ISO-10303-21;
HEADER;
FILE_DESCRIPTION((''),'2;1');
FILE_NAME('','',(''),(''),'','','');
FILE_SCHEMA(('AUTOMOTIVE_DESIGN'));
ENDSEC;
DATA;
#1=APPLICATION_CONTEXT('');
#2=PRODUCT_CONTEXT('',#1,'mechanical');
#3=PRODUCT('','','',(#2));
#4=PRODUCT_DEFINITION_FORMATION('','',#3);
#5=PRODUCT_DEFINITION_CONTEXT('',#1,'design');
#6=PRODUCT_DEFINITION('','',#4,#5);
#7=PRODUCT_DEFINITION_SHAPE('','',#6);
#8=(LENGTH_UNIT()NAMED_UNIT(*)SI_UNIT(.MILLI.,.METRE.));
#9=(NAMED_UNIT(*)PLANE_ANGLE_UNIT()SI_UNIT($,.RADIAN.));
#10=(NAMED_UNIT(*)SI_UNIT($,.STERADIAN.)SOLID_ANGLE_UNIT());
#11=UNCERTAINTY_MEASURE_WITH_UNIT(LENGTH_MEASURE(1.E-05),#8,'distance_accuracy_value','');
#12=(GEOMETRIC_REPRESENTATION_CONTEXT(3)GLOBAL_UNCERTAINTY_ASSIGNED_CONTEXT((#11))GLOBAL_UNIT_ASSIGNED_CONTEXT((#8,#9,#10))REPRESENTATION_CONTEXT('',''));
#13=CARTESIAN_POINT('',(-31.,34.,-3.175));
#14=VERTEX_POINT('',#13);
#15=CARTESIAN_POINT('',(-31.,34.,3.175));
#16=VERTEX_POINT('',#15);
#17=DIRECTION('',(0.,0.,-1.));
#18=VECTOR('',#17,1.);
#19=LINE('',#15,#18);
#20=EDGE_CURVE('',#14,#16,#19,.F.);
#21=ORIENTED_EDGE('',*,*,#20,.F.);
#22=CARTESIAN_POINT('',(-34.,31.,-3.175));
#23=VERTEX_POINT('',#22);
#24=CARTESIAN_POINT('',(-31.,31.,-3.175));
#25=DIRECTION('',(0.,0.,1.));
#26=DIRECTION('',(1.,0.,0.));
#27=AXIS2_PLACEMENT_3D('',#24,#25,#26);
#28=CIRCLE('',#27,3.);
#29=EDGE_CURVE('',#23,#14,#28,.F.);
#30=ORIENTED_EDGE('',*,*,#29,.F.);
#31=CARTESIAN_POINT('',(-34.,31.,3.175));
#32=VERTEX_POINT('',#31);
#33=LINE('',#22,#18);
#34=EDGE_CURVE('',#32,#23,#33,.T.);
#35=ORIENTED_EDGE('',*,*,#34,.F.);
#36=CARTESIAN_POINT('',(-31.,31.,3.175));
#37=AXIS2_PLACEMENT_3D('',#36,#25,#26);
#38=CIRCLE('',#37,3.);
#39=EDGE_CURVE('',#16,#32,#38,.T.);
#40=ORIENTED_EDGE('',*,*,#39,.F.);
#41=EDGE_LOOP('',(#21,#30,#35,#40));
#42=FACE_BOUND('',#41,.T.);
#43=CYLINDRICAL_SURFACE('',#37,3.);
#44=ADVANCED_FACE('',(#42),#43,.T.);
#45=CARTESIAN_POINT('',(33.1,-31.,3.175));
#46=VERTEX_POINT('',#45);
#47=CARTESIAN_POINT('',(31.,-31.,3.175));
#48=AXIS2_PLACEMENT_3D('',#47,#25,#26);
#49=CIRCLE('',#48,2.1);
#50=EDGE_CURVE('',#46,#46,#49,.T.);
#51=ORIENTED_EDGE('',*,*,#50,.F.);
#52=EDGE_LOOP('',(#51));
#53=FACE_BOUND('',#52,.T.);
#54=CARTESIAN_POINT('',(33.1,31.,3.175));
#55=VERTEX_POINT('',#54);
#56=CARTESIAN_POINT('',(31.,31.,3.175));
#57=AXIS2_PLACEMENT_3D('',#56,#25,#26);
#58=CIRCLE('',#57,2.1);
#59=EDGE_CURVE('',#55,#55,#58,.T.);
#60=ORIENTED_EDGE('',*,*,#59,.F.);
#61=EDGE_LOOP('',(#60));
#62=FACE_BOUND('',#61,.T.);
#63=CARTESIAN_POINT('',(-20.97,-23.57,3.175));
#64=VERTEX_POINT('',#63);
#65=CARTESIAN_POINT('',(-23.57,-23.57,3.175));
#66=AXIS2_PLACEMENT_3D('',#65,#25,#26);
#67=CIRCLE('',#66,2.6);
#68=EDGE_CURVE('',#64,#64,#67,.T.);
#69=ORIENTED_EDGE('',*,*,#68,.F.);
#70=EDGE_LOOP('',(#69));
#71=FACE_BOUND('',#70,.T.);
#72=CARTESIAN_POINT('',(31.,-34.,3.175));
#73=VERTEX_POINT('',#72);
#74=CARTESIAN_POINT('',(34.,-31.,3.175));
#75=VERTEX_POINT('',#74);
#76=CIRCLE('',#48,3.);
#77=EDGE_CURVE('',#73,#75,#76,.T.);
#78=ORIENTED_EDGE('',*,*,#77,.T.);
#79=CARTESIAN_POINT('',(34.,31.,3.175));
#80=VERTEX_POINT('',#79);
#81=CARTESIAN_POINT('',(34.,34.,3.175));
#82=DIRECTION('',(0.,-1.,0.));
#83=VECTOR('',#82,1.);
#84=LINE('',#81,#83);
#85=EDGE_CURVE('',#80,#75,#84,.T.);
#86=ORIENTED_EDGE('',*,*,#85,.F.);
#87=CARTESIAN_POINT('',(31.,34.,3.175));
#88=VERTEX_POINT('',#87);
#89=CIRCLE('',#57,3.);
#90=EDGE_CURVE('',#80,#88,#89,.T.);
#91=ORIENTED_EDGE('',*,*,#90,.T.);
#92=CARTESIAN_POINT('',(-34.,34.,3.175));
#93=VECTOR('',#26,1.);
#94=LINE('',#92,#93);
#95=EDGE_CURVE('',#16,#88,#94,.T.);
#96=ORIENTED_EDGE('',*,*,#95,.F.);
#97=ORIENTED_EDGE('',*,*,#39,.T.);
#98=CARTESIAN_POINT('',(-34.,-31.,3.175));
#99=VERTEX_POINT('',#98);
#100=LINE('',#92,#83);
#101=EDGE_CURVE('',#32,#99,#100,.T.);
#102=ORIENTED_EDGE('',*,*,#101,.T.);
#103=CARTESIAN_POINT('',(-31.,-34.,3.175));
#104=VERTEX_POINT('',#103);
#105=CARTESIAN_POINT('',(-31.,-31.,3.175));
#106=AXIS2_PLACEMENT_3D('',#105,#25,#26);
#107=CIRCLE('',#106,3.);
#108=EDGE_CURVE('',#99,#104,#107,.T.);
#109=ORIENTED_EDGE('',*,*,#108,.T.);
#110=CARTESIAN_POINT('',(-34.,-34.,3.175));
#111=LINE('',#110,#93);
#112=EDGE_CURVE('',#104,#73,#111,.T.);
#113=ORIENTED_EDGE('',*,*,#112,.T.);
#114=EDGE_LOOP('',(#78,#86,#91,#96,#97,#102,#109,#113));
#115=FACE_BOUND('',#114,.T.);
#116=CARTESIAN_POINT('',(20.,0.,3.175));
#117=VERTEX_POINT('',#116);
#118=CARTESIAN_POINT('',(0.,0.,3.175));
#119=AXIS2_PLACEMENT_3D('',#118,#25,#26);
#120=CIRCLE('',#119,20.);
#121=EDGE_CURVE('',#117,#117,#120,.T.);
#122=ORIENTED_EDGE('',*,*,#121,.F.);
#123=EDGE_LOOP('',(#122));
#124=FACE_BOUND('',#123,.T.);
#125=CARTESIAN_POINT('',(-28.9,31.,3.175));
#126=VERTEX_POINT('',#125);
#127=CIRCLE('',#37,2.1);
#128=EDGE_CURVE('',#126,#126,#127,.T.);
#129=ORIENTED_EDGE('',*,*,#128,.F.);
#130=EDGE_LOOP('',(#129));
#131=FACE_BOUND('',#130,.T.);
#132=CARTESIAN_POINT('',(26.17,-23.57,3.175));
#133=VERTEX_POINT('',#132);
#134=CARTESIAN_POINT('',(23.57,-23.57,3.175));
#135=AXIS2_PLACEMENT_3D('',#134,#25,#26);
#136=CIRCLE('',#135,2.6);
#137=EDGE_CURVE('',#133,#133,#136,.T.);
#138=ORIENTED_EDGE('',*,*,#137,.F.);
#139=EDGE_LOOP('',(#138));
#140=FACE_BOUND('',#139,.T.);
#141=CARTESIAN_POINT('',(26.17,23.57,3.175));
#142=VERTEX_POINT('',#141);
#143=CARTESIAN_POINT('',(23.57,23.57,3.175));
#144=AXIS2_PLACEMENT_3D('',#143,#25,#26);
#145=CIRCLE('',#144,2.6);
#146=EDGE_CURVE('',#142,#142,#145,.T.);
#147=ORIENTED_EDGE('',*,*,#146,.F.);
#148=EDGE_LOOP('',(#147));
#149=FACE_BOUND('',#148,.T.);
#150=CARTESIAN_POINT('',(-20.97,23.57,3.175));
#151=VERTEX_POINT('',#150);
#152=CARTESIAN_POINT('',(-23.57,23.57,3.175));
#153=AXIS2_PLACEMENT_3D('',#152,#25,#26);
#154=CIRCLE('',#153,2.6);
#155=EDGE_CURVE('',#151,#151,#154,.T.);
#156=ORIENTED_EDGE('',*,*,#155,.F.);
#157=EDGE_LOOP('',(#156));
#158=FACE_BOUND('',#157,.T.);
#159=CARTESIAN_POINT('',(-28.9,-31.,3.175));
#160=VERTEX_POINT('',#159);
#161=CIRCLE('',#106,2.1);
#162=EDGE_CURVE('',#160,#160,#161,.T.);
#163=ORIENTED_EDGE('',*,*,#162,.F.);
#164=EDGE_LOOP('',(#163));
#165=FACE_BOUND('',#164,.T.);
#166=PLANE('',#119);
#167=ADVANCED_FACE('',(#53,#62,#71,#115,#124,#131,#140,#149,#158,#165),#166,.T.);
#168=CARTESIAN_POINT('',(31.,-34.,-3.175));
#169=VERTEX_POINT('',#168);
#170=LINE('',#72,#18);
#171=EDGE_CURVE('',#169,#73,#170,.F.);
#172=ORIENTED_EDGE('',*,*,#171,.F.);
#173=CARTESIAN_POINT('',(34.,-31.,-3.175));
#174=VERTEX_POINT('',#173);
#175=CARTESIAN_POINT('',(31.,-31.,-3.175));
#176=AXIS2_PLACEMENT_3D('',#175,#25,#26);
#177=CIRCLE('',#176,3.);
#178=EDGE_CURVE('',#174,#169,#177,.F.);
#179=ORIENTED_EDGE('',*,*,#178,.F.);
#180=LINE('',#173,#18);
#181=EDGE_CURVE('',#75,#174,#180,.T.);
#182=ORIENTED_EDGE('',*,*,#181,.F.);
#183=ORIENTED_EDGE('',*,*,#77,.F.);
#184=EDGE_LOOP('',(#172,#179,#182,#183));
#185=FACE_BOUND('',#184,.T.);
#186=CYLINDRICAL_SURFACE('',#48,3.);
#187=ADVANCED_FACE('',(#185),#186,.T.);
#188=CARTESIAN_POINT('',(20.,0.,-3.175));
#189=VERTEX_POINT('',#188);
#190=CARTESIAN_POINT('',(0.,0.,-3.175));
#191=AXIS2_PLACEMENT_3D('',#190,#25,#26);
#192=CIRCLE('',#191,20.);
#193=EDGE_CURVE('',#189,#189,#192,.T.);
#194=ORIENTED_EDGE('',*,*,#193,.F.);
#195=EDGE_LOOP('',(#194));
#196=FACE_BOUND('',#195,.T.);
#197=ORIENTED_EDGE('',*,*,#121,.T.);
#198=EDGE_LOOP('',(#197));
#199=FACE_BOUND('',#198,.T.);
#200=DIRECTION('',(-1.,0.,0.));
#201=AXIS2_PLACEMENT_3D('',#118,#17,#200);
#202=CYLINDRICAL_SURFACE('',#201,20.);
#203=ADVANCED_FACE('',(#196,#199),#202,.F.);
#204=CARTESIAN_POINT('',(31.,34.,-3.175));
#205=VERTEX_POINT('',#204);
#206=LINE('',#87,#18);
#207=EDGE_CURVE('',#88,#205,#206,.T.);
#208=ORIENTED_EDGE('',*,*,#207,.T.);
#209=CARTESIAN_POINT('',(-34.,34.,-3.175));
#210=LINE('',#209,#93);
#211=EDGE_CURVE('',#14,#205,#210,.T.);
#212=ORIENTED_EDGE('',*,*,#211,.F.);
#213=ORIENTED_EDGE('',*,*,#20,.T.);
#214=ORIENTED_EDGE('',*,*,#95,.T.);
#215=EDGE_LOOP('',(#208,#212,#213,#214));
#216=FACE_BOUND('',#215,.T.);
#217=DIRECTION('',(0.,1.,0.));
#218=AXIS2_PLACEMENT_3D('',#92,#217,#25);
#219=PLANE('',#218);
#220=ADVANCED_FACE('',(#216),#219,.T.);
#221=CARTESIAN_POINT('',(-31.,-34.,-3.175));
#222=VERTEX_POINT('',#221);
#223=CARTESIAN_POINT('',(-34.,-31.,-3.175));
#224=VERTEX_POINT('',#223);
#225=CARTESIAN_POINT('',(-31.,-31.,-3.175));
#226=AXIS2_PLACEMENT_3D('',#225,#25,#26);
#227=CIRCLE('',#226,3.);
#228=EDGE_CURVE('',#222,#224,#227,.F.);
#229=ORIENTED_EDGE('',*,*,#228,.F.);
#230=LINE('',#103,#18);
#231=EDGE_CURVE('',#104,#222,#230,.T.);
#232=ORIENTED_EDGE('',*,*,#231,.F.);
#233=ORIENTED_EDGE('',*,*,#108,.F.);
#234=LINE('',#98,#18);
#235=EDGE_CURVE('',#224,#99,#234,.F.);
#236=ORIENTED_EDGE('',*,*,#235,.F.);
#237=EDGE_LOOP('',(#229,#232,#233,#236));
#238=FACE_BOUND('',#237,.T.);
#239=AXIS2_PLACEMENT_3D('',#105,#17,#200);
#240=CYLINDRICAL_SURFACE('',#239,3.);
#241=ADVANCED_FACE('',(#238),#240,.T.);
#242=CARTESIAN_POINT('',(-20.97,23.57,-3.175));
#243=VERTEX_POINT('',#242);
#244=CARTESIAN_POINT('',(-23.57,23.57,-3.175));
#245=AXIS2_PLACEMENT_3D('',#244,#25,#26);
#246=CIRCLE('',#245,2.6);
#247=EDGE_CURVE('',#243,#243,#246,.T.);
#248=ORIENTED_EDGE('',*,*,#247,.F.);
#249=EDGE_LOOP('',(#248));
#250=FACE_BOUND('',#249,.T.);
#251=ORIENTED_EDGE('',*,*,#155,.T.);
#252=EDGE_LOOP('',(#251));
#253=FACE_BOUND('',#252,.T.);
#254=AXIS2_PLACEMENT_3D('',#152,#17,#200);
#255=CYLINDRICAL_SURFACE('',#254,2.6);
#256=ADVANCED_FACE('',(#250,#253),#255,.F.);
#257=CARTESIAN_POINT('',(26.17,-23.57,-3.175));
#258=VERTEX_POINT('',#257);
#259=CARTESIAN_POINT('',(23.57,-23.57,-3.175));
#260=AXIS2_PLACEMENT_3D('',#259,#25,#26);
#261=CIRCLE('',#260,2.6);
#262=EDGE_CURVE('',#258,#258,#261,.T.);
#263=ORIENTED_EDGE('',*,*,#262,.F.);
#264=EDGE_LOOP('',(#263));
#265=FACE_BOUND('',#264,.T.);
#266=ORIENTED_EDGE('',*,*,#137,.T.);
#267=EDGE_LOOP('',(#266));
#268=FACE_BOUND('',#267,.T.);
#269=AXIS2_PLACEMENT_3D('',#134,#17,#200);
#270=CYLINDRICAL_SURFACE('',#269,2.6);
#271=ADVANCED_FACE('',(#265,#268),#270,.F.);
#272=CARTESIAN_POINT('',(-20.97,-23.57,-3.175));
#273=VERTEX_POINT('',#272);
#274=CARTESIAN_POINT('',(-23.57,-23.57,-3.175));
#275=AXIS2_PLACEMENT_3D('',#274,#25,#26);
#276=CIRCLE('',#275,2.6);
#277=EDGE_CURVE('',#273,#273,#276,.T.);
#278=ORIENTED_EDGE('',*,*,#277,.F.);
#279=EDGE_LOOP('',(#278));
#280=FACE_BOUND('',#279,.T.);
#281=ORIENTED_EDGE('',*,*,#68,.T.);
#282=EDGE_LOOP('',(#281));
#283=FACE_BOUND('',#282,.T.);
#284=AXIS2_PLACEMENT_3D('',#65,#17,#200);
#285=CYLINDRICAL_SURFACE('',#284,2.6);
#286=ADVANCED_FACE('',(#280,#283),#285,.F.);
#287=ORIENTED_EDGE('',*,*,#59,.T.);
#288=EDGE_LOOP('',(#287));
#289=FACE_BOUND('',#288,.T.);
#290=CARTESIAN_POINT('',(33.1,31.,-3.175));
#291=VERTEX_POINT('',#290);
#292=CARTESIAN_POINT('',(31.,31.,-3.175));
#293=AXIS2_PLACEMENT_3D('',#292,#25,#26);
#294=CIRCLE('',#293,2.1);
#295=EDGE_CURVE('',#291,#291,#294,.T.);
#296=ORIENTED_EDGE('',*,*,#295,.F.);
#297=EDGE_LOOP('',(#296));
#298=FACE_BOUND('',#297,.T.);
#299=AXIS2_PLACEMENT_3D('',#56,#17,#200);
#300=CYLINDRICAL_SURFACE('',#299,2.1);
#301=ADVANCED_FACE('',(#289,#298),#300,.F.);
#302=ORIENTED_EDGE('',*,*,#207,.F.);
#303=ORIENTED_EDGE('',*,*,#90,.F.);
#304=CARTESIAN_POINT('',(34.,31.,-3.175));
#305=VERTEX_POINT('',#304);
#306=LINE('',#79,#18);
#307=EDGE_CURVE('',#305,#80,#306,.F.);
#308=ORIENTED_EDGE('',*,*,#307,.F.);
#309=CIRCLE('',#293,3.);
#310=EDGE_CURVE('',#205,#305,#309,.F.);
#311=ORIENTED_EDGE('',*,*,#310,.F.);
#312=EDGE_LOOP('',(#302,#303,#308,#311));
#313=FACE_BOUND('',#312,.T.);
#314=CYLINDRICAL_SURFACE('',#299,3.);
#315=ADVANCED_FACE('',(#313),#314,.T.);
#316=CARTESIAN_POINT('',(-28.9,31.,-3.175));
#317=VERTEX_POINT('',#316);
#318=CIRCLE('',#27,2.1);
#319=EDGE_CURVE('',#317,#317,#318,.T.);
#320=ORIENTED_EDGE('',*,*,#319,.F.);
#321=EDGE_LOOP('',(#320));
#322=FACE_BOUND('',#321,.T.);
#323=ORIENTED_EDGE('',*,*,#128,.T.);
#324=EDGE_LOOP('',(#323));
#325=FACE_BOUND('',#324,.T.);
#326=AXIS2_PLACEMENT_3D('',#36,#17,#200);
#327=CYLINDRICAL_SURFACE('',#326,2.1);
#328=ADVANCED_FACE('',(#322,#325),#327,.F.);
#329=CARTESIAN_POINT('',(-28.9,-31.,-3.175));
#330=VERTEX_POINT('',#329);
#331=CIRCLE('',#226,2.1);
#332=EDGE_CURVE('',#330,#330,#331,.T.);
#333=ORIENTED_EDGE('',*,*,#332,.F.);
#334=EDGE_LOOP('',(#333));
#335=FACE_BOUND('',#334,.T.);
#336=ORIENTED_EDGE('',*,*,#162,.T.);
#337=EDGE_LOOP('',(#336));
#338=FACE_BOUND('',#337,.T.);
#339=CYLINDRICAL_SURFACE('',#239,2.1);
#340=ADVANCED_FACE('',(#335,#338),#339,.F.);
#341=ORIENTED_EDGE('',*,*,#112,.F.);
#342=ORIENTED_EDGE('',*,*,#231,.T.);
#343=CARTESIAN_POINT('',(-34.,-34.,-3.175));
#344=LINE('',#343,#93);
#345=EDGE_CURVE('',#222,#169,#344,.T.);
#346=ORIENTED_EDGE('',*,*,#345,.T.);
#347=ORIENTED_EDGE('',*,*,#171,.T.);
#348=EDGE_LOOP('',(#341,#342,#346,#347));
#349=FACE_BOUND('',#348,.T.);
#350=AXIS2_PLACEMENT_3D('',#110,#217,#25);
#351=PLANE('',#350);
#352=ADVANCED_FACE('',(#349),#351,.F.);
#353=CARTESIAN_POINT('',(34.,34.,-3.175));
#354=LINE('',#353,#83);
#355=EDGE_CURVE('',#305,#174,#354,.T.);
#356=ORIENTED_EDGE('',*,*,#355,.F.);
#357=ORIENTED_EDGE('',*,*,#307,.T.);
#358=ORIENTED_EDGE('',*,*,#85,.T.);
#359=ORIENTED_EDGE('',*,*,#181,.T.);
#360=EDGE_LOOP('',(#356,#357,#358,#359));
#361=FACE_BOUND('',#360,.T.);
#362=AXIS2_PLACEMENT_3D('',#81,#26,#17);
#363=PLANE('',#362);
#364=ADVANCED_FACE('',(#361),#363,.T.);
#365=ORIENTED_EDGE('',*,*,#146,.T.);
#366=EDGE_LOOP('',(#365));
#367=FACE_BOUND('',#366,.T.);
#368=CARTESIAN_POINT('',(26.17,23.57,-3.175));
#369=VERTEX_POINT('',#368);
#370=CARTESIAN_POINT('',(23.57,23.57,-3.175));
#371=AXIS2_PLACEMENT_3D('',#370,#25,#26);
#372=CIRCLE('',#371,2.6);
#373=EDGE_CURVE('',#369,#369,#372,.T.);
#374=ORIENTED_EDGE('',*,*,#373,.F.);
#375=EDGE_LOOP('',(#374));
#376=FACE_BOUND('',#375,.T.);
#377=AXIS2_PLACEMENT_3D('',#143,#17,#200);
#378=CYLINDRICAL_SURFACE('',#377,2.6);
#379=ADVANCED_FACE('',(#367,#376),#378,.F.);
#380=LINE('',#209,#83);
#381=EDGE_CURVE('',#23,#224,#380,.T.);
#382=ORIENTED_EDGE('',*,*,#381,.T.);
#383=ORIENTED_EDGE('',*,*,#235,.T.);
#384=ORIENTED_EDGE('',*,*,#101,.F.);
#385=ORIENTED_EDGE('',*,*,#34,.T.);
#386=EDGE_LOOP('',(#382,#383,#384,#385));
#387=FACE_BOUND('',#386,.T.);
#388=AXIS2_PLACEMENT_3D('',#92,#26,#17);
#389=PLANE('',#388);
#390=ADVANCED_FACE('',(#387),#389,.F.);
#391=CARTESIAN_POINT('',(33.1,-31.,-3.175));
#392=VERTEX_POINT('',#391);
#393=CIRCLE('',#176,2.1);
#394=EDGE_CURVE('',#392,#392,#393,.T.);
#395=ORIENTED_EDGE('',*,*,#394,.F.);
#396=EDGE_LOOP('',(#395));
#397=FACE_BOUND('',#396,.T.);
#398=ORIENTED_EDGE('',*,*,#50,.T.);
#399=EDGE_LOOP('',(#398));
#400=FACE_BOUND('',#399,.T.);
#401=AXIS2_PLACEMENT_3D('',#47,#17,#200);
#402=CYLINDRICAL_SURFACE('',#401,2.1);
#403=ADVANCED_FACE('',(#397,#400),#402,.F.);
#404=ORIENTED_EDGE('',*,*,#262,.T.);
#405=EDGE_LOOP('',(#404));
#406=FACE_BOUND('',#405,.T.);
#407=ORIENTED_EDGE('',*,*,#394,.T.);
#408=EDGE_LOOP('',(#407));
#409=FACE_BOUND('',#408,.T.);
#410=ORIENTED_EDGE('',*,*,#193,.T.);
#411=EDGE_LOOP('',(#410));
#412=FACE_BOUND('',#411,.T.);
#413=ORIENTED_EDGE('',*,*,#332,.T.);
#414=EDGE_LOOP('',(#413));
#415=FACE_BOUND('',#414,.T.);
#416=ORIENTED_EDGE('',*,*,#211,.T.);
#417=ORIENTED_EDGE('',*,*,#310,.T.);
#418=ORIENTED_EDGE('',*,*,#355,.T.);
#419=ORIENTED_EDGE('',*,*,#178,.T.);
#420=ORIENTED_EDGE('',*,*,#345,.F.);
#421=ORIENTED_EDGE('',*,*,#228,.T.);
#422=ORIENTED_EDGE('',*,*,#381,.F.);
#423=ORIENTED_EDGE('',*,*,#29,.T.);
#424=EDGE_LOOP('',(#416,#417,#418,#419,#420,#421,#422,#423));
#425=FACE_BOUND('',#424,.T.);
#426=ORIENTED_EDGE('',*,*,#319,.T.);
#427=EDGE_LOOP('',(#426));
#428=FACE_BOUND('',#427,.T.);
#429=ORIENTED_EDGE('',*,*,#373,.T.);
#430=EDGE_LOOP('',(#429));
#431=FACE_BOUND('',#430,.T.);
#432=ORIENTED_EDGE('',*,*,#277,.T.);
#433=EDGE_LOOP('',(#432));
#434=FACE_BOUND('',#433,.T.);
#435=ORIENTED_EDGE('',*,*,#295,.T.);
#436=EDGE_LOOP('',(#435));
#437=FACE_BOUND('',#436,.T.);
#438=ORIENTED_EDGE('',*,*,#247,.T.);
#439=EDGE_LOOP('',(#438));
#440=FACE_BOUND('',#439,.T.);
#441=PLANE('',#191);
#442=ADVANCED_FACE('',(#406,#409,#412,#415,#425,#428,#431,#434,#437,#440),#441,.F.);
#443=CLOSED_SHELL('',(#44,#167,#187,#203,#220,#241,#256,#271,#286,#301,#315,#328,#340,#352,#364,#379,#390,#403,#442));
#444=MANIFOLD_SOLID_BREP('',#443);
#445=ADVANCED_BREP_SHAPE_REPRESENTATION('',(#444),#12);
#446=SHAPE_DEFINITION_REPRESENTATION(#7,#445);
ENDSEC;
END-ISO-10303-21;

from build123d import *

# Parameters (mm, degrees)
SKETCH1_W           = 68
SKETCH1_H           = 68
SKETCH1_R           = 2.6
SKETCH1_R_2         = 2.1
SKETCH1_R_3         = 20
BOSS_EXTRUDE1_DEPTH = 3.175
FILLET2_R           = 3


with BuildPart() as part:
    # Sketch1 → Boss-Extrude1 (new, symmetric)
    with BuildSketch(Plane.XY):
        Rectangle(SKETCH1_W, SKETCH1_H)
        with Locations((-23.57, 23.57)):
            Circle(SKETCH1_R, mode=Mode.SUBTRACT)
        with Locations((23.57, 23.57)):
            Circle(SKETCH1_R, mode=Mode.SUBTRACT)
        with Locations((23.57, -23.57)):
            Circle(SKETCH1_R, mode=Mode.SUBTRACT)
        with Locations((-23.57, -23.57)):
            Circle(SKETCH1_R, mode=Mode.SUBTRACT)
        with Locations((-31, 31)):
            Circle(SKETCH1_R_2, mode=Mode.SUBTRACT)
        with Locations((31, 31)):
            Circle(SKETCH1_R_2, mode=Mode.SUBTRACT)
        with Locations((31, -31)):
            Circle(SKETCH1_R_2, mode=Mode.SUBTRACT)
        with Locations((-31, -31)):
            Circle(SKETCH1_R_2, mode=Mode.SUBTRACT)
        Circle(SKETCH1_R_3, mode=Mode.SUBTRACT)
    extrude(amount=BOSS_EXTRUDE1_DEPTH, both=True)

    # Fillet2
    fillet2_edges = [part.edges().sort_by_distance(p)[0] for p in [
        (-34, 34, 0),
        (34, 34, 0),
        (34, -34, 0),
        (-34, -34, 0),
    ]]
    fillet(fillet2_edges, radius=FILLET2_R)


solid = part.part
